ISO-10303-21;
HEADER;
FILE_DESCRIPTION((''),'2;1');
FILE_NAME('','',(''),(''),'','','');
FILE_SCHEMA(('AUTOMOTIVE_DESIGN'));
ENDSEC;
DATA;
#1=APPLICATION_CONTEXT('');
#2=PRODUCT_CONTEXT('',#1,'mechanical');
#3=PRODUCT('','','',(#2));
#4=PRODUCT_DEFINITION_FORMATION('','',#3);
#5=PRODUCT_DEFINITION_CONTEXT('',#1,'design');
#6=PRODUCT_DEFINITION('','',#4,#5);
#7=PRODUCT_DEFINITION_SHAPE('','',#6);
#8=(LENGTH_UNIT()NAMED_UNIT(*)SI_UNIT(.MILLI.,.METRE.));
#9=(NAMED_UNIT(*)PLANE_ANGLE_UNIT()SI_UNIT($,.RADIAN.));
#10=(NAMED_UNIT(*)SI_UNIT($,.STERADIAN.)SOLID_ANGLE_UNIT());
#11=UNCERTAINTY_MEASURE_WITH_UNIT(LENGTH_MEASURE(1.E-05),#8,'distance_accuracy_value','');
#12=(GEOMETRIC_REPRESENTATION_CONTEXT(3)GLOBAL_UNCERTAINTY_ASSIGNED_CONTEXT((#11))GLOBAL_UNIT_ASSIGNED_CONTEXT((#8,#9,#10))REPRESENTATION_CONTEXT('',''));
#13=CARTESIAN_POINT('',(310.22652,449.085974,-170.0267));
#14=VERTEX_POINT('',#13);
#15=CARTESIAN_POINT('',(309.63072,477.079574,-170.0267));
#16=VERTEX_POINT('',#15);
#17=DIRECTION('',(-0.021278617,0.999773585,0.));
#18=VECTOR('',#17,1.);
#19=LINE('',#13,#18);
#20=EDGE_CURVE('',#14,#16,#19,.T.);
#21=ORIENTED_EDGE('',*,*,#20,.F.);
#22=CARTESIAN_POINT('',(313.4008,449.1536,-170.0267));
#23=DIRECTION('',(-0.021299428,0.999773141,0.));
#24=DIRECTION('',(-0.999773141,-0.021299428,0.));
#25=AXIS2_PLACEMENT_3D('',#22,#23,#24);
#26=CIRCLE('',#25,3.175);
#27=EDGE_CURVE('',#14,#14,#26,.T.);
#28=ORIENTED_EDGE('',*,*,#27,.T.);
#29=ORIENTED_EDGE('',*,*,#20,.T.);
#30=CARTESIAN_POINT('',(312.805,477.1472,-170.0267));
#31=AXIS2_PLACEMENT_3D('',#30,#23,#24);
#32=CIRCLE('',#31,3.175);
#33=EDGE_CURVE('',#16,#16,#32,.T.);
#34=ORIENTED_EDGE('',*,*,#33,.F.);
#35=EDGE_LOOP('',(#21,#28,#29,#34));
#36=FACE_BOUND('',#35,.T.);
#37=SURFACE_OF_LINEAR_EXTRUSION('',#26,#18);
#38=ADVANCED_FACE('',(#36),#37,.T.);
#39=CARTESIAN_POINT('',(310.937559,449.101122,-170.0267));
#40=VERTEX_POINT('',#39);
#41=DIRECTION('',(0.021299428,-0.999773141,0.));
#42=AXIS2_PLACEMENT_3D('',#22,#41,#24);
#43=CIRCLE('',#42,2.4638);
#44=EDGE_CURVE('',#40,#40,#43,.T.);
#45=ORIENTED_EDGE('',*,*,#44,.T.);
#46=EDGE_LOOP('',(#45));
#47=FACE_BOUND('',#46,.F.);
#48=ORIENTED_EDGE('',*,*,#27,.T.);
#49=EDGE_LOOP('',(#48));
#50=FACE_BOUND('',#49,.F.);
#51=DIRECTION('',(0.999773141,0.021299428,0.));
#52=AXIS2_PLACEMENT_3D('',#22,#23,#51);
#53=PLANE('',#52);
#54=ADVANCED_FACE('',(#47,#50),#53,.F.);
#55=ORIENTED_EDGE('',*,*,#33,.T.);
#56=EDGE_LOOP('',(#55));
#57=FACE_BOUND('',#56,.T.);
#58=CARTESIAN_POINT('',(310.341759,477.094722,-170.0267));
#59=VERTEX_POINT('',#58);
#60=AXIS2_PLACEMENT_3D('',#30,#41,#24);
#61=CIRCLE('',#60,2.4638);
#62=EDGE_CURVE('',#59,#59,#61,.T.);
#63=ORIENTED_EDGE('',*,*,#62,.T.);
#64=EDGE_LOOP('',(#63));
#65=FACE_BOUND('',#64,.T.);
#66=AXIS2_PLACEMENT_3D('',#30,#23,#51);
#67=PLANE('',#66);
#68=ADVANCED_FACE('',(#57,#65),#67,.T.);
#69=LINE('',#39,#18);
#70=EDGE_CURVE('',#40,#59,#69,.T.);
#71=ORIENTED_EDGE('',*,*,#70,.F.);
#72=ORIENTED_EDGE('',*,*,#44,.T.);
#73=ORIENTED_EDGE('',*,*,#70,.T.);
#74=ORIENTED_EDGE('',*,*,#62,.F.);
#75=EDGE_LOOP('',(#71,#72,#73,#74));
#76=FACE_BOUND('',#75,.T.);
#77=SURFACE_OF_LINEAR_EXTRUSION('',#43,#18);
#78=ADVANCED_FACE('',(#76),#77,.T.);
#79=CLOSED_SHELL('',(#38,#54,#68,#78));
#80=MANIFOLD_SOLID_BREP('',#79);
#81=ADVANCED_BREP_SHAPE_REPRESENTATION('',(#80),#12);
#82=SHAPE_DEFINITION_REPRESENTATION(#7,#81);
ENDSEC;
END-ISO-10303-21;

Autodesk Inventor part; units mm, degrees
ref_plane "YZ Plane" through (0, 0, 0) normal (1, 0, 0) x (0, 1, 0)
ref_plane "XZ Plane" through (0, 0, 0) normal (0, 1, 0) x (-1, 0, 0)
ref_plane "Work Plane3" through (313.4008, 449.1536, -170.0267) normal (-0.0213, 0.9998, 0) x (-0.9998, -0.0213, 0)
sketch "Sketch3" plane through (313.4008, 449.1536, -170.0267) normal (-0.0213, 0.9998, 0) x (-0.9998, -0.0213, 0)
  circle A0 centre (0, 0) radius 3.175
  circle A1 centre (0, 0) radius 2.4638
sketch3d "3D Sketch1"
  line L0 (313.4008, 449.1536, -170.0267) -> (312.805, 477.1472, -170.0267)
sweep "Sweep1" add profiles "Sketch3" path "3D Sketch1"
equation "\"OD\" = 6.35"
equation "\"t\" = 0.7112"
equation "\"L\" = PL"
equation "\"ID\" = 4.9276"
equation "\"PL\" = 27.9908"
equation "\"D\" = 15.24"
equation "\"Size_Designation\" = 1.2345"
properties material "Stainless Steel"
